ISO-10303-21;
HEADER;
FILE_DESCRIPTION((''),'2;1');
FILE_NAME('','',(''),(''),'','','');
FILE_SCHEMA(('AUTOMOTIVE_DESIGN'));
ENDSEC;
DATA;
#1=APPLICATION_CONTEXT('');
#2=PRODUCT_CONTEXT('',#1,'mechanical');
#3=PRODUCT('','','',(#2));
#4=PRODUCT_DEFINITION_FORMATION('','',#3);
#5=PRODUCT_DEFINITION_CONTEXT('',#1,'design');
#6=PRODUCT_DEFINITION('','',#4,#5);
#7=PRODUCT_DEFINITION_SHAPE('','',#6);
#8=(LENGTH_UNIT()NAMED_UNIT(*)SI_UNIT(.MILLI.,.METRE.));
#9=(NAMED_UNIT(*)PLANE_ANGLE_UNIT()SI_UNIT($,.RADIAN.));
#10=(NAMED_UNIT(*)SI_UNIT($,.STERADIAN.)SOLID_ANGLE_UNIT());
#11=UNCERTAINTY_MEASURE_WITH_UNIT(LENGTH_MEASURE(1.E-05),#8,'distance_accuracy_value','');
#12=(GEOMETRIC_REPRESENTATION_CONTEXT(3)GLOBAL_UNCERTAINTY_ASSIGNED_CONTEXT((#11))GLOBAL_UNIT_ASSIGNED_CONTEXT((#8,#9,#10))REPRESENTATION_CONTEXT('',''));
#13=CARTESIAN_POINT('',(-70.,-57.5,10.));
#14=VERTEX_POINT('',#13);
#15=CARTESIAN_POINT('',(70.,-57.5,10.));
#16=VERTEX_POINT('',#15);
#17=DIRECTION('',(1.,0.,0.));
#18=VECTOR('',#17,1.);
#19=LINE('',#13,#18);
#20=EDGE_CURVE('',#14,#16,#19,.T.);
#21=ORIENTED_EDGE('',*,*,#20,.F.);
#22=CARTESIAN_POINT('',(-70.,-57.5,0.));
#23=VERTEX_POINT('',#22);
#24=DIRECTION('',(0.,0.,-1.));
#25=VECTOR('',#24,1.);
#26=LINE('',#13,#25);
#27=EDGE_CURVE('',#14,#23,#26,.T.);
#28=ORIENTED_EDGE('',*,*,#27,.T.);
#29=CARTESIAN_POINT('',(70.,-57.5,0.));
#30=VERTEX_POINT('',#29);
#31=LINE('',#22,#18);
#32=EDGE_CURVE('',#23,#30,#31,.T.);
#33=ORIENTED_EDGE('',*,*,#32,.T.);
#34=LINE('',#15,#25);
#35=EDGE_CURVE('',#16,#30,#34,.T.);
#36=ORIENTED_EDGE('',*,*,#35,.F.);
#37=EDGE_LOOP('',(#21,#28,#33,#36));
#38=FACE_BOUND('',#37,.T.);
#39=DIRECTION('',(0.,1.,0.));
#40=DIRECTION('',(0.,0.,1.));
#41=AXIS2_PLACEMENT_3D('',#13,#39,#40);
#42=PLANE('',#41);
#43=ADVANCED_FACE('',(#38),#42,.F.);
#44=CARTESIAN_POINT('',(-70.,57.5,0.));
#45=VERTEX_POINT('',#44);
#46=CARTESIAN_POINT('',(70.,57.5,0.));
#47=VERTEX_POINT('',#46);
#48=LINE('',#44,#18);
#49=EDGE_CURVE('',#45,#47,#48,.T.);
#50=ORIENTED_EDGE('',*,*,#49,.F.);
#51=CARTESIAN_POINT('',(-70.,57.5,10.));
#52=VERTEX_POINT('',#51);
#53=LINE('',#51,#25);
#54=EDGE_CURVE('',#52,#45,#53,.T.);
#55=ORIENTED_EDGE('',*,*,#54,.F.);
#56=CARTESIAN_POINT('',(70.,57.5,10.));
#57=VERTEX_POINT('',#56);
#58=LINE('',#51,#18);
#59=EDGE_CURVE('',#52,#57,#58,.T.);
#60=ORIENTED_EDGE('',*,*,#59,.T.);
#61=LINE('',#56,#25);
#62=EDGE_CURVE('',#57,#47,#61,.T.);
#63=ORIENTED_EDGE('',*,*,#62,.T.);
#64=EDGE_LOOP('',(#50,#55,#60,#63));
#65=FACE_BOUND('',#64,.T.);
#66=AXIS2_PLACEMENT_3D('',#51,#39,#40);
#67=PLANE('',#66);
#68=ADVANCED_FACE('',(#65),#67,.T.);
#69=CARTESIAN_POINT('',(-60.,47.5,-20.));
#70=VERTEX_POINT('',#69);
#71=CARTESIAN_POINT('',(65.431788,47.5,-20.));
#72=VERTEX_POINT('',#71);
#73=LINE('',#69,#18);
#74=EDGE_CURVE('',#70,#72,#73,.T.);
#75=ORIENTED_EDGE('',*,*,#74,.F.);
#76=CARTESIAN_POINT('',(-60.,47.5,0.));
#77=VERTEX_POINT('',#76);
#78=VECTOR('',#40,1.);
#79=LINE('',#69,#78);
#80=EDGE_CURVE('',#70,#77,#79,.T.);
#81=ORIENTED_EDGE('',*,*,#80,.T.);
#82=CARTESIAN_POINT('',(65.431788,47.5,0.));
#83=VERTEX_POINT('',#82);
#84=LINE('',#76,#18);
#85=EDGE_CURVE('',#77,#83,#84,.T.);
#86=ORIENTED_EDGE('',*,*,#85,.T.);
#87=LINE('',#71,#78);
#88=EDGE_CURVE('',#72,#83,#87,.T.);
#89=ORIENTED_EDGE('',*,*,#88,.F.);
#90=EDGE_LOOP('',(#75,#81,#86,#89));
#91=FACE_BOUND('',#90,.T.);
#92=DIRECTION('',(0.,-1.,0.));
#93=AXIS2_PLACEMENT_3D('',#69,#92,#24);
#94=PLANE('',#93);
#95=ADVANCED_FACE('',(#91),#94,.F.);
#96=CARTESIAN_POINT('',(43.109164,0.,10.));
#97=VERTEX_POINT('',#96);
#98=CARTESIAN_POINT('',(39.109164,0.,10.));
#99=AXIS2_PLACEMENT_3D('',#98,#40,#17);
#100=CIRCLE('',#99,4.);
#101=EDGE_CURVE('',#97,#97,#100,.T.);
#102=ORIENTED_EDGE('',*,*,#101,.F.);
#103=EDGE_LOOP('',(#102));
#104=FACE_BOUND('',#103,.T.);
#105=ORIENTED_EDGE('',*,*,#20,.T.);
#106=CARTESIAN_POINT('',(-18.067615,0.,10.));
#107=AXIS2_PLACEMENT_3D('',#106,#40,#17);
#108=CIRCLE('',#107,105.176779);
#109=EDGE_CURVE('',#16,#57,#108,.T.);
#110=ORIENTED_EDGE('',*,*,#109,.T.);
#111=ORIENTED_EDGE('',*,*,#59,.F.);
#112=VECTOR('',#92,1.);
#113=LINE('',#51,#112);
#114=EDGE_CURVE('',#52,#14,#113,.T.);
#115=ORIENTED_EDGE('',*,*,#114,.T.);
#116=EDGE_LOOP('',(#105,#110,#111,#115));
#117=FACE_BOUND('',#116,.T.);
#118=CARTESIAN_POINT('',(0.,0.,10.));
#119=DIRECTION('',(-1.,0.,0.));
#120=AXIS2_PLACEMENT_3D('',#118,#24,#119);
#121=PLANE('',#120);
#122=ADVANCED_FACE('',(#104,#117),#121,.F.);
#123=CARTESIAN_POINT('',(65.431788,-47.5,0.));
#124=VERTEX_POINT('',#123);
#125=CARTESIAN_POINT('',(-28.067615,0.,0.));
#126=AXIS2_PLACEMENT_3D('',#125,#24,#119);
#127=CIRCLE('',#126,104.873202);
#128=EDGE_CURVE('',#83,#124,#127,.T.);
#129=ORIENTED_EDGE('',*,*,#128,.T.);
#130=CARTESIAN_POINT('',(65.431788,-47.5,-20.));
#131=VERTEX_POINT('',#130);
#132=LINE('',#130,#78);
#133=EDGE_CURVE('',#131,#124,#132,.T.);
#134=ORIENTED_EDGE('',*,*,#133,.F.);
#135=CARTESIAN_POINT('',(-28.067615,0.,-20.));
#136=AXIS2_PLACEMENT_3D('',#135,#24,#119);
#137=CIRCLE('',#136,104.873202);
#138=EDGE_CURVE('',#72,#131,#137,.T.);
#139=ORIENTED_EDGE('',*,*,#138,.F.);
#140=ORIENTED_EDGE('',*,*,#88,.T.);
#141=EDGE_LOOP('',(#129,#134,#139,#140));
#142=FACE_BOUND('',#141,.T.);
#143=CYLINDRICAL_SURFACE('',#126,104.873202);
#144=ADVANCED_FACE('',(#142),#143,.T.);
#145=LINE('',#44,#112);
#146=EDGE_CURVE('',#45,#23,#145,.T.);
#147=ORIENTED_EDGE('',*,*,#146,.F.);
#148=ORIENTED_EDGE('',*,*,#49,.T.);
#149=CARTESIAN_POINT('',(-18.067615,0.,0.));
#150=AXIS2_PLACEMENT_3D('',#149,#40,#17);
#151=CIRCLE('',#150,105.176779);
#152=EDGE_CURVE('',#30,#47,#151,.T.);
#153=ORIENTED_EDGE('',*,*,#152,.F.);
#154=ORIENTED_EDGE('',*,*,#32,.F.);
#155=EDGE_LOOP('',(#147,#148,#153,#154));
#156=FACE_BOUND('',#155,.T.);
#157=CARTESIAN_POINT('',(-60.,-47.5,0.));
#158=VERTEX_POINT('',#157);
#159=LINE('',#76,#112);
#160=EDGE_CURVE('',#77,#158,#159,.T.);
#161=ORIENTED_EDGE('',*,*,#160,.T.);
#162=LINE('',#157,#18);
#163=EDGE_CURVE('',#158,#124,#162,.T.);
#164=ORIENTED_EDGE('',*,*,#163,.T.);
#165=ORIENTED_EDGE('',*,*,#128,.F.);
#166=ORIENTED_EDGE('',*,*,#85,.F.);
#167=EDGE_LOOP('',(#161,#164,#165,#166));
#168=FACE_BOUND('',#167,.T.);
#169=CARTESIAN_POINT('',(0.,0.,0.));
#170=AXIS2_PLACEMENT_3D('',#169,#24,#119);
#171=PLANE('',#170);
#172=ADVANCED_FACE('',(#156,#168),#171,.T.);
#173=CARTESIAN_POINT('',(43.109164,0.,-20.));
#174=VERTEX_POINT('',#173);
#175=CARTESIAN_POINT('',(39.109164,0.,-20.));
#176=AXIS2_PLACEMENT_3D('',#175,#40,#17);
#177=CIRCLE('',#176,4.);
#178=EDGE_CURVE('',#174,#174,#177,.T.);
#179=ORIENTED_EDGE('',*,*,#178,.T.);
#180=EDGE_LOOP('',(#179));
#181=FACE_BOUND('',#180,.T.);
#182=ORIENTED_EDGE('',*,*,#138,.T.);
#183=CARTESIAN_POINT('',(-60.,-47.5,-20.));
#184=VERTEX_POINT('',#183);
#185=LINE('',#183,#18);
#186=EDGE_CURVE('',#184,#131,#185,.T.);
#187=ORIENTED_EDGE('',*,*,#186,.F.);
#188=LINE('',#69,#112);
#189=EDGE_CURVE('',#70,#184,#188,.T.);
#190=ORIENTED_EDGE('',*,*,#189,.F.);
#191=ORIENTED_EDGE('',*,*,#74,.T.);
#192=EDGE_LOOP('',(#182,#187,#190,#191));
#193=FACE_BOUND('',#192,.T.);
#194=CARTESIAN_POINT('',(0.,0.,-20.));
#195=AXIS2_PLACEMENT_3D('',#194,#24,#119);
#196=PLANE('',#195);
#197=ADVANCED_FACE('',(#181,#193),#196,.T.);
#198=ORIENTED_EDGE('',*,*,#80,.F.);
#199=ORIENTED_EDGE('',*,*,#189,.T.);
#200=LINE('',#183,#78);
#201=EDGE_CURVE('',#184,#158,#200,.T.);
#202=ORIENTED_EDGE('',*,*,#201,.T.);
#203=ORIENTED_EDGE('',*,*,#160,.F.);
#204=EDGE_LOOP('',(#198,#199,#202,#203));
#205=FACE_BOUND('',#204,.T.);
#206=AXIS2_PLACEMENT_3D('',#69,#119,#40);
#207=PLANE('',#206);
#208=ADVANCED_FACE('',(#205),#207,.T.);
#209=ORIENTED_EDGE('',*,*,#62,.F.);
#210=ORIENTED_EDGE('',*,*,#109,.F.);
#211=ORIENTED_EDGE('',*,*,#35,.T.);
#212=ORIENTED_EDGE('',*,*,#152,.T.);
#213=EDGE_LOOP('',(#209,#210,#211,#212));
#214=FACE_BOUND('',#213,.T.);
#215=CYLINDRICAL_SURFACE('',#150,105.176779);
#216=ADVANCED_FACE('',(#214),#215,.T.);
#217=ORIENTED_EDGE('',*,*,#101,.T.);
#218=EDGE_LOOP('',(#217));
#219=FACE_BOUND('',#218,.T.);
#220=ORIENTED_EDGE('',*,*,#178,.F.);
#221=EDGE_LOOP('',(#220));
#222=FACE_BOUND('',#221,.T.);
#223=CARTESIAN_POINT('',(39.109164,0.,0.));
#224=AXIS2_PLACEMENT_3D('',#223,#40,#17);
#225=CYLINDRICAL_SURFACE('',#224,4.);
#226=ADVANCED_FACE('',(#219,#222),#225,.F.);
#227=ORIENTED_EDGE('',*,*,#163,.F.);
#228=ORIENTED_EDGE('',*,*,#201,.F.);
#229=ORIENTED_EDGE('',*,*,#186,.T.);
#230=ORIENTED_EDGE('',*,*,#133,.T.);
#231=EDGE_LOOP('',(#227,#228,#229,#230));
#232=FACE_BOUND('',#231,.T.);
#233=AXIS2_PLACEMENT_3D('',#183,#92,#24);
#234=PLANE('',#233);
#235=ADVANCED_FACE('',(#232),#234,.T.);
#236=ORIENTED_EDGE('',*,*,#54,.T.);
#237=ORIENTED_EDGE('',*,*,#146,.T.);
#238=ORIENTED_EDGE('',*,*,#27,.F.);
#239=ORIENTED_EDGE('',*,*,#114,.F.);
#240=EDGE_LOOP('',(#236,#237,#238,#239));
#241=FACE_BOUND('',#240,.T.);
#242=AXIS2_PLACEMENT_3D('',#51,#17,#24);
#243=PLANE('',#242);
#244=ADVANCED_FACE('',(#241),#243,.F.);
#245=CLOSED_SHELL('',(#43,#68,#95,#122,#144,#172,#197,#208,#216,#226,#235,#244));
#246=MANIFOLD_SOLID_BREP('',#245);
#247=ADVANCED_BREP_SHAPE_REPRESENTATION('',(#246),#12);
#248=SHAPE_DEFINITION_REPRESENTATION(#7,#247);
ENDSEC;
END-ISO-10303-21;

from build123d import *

# Parameters (mm, degrees)
SKETCH_1_W          = 140
SKETCH_1_H          = 115
EXTRUDE_1_DEPTH     = 10
EXTRUDE_3_DEPTH     = 10
SKETCH_3_R          = 35
CUT_EXTRUDE_2_DEPTH = 10
SKETCH_4_R          = 35
EXTRUDE_4_DEPTH     = 10
SKETCH_5_R          = 4
CUT_EXTRUDE_3_DEPTH = 105.85349984
SKETCH_6_W          = 125.431788303
SKETCH_6_H          = 95
EXTRUDE_5_DEPTH     = 20
EXTRUDE_6_DEPTH     = 20
SKETCH_8_R          = 4
CUT_EXTRUDE_5_DEPTH = 107.274439207


with BuildPart() as part:
    # 草图1 → 凸台-拉伸1 (new body)
    with BuildSketch(Plane.XY):
        Rectangle(SKETCH_1_W, SKETCH_1_H)
    extrude(amount=EXTRUDE_1_DEPTH)

    # 草图2 → 凸台-拉伸3 (add)
    with BuildSketch(Plane.XY.offset(10)):
        with BuildLine():
            ThreePointArc((87.109163862, 0), (82.741171521, 29.995722562), (70, 57.5))
            Line((70, 57.5), (70, -57.5))
            ThreePointArc((70, -57.5), (82.741171521, -29.995722562), (87.109163862, 0))
        make_face()
    extrude(amount=-EXTRUDE_3_DEPTH)

    # 草图3 → 切除-拉伸2 (cut)
    with BuildSketch(Plane.XY.offset(10)):
        with Locations((37.109163862, 0)):
            Circle(SKETCH_3_R)
    extrude(amount=-CUT_EXTRUDE_2_DEPTH, mode=Mode.SUBTRACT)

    # 草图4 → 凸台-拉伸4 (add)
    with BuildSketch(Plane.XY.offset(10)):
        with Locations((37.109163862, 0)):
            Circle(SKETCH_4_R)
    extrude(amount=-EXTRUDE_4_DEPTH)

    # 草图5 → 切除-拉伸3 (cut, through all)
    with BuildSketch(Plane.XY.offset(10)):
        with Locations((39.109163862, 0)):
            Circle(SKETCH_5_R)
    extrude(amount=-CUT_EXTRUDE_3_DEPTH, mode=Mode.SUBTRACT)

    # 草图6 → 凸台-拉伸5 (add)
    with BuildSketch(Plane(origin=(0, 0, 0), x_dir=(-1, 0, 0), z_dir=(0, 0, -1))):
        with Locations((-2.715894151, 0)):
            Rectangle(SKETCH_6_W, SKETCH_6_H)
    extrude(amount=EXTRUDE_5_DEPTH)

    # 草图7 → 凸台-拉伸6 (add)
    with BuildSketch(Plane(origin=(0, 0, -20), x_dir=(-1, 0, 0), z_dir=(0, 0, -1))):
        with BuildLine():
            Line((-65.431788303, -47.5), (-65.431788303, 47.5))
            ThreePointArc((-65.431788303, 47.5), (-76.80558662, 0), (-65.431788303, -47.5))
        make_face()
    extrude(amount=-EXTRUDE_6_DEPTH)

    # 草图8 → 切除-拉伸5 (cut, through all)
    with BuildSketch(Plane.XY):
        with Locations((39.109163862, 0)):
            Circle(SKETCH_8_R)
    extrude(amount=-CUT_EXTRUDE_5_DEPTH, mode=Mode.SUBTRACT)


solid = part.part
